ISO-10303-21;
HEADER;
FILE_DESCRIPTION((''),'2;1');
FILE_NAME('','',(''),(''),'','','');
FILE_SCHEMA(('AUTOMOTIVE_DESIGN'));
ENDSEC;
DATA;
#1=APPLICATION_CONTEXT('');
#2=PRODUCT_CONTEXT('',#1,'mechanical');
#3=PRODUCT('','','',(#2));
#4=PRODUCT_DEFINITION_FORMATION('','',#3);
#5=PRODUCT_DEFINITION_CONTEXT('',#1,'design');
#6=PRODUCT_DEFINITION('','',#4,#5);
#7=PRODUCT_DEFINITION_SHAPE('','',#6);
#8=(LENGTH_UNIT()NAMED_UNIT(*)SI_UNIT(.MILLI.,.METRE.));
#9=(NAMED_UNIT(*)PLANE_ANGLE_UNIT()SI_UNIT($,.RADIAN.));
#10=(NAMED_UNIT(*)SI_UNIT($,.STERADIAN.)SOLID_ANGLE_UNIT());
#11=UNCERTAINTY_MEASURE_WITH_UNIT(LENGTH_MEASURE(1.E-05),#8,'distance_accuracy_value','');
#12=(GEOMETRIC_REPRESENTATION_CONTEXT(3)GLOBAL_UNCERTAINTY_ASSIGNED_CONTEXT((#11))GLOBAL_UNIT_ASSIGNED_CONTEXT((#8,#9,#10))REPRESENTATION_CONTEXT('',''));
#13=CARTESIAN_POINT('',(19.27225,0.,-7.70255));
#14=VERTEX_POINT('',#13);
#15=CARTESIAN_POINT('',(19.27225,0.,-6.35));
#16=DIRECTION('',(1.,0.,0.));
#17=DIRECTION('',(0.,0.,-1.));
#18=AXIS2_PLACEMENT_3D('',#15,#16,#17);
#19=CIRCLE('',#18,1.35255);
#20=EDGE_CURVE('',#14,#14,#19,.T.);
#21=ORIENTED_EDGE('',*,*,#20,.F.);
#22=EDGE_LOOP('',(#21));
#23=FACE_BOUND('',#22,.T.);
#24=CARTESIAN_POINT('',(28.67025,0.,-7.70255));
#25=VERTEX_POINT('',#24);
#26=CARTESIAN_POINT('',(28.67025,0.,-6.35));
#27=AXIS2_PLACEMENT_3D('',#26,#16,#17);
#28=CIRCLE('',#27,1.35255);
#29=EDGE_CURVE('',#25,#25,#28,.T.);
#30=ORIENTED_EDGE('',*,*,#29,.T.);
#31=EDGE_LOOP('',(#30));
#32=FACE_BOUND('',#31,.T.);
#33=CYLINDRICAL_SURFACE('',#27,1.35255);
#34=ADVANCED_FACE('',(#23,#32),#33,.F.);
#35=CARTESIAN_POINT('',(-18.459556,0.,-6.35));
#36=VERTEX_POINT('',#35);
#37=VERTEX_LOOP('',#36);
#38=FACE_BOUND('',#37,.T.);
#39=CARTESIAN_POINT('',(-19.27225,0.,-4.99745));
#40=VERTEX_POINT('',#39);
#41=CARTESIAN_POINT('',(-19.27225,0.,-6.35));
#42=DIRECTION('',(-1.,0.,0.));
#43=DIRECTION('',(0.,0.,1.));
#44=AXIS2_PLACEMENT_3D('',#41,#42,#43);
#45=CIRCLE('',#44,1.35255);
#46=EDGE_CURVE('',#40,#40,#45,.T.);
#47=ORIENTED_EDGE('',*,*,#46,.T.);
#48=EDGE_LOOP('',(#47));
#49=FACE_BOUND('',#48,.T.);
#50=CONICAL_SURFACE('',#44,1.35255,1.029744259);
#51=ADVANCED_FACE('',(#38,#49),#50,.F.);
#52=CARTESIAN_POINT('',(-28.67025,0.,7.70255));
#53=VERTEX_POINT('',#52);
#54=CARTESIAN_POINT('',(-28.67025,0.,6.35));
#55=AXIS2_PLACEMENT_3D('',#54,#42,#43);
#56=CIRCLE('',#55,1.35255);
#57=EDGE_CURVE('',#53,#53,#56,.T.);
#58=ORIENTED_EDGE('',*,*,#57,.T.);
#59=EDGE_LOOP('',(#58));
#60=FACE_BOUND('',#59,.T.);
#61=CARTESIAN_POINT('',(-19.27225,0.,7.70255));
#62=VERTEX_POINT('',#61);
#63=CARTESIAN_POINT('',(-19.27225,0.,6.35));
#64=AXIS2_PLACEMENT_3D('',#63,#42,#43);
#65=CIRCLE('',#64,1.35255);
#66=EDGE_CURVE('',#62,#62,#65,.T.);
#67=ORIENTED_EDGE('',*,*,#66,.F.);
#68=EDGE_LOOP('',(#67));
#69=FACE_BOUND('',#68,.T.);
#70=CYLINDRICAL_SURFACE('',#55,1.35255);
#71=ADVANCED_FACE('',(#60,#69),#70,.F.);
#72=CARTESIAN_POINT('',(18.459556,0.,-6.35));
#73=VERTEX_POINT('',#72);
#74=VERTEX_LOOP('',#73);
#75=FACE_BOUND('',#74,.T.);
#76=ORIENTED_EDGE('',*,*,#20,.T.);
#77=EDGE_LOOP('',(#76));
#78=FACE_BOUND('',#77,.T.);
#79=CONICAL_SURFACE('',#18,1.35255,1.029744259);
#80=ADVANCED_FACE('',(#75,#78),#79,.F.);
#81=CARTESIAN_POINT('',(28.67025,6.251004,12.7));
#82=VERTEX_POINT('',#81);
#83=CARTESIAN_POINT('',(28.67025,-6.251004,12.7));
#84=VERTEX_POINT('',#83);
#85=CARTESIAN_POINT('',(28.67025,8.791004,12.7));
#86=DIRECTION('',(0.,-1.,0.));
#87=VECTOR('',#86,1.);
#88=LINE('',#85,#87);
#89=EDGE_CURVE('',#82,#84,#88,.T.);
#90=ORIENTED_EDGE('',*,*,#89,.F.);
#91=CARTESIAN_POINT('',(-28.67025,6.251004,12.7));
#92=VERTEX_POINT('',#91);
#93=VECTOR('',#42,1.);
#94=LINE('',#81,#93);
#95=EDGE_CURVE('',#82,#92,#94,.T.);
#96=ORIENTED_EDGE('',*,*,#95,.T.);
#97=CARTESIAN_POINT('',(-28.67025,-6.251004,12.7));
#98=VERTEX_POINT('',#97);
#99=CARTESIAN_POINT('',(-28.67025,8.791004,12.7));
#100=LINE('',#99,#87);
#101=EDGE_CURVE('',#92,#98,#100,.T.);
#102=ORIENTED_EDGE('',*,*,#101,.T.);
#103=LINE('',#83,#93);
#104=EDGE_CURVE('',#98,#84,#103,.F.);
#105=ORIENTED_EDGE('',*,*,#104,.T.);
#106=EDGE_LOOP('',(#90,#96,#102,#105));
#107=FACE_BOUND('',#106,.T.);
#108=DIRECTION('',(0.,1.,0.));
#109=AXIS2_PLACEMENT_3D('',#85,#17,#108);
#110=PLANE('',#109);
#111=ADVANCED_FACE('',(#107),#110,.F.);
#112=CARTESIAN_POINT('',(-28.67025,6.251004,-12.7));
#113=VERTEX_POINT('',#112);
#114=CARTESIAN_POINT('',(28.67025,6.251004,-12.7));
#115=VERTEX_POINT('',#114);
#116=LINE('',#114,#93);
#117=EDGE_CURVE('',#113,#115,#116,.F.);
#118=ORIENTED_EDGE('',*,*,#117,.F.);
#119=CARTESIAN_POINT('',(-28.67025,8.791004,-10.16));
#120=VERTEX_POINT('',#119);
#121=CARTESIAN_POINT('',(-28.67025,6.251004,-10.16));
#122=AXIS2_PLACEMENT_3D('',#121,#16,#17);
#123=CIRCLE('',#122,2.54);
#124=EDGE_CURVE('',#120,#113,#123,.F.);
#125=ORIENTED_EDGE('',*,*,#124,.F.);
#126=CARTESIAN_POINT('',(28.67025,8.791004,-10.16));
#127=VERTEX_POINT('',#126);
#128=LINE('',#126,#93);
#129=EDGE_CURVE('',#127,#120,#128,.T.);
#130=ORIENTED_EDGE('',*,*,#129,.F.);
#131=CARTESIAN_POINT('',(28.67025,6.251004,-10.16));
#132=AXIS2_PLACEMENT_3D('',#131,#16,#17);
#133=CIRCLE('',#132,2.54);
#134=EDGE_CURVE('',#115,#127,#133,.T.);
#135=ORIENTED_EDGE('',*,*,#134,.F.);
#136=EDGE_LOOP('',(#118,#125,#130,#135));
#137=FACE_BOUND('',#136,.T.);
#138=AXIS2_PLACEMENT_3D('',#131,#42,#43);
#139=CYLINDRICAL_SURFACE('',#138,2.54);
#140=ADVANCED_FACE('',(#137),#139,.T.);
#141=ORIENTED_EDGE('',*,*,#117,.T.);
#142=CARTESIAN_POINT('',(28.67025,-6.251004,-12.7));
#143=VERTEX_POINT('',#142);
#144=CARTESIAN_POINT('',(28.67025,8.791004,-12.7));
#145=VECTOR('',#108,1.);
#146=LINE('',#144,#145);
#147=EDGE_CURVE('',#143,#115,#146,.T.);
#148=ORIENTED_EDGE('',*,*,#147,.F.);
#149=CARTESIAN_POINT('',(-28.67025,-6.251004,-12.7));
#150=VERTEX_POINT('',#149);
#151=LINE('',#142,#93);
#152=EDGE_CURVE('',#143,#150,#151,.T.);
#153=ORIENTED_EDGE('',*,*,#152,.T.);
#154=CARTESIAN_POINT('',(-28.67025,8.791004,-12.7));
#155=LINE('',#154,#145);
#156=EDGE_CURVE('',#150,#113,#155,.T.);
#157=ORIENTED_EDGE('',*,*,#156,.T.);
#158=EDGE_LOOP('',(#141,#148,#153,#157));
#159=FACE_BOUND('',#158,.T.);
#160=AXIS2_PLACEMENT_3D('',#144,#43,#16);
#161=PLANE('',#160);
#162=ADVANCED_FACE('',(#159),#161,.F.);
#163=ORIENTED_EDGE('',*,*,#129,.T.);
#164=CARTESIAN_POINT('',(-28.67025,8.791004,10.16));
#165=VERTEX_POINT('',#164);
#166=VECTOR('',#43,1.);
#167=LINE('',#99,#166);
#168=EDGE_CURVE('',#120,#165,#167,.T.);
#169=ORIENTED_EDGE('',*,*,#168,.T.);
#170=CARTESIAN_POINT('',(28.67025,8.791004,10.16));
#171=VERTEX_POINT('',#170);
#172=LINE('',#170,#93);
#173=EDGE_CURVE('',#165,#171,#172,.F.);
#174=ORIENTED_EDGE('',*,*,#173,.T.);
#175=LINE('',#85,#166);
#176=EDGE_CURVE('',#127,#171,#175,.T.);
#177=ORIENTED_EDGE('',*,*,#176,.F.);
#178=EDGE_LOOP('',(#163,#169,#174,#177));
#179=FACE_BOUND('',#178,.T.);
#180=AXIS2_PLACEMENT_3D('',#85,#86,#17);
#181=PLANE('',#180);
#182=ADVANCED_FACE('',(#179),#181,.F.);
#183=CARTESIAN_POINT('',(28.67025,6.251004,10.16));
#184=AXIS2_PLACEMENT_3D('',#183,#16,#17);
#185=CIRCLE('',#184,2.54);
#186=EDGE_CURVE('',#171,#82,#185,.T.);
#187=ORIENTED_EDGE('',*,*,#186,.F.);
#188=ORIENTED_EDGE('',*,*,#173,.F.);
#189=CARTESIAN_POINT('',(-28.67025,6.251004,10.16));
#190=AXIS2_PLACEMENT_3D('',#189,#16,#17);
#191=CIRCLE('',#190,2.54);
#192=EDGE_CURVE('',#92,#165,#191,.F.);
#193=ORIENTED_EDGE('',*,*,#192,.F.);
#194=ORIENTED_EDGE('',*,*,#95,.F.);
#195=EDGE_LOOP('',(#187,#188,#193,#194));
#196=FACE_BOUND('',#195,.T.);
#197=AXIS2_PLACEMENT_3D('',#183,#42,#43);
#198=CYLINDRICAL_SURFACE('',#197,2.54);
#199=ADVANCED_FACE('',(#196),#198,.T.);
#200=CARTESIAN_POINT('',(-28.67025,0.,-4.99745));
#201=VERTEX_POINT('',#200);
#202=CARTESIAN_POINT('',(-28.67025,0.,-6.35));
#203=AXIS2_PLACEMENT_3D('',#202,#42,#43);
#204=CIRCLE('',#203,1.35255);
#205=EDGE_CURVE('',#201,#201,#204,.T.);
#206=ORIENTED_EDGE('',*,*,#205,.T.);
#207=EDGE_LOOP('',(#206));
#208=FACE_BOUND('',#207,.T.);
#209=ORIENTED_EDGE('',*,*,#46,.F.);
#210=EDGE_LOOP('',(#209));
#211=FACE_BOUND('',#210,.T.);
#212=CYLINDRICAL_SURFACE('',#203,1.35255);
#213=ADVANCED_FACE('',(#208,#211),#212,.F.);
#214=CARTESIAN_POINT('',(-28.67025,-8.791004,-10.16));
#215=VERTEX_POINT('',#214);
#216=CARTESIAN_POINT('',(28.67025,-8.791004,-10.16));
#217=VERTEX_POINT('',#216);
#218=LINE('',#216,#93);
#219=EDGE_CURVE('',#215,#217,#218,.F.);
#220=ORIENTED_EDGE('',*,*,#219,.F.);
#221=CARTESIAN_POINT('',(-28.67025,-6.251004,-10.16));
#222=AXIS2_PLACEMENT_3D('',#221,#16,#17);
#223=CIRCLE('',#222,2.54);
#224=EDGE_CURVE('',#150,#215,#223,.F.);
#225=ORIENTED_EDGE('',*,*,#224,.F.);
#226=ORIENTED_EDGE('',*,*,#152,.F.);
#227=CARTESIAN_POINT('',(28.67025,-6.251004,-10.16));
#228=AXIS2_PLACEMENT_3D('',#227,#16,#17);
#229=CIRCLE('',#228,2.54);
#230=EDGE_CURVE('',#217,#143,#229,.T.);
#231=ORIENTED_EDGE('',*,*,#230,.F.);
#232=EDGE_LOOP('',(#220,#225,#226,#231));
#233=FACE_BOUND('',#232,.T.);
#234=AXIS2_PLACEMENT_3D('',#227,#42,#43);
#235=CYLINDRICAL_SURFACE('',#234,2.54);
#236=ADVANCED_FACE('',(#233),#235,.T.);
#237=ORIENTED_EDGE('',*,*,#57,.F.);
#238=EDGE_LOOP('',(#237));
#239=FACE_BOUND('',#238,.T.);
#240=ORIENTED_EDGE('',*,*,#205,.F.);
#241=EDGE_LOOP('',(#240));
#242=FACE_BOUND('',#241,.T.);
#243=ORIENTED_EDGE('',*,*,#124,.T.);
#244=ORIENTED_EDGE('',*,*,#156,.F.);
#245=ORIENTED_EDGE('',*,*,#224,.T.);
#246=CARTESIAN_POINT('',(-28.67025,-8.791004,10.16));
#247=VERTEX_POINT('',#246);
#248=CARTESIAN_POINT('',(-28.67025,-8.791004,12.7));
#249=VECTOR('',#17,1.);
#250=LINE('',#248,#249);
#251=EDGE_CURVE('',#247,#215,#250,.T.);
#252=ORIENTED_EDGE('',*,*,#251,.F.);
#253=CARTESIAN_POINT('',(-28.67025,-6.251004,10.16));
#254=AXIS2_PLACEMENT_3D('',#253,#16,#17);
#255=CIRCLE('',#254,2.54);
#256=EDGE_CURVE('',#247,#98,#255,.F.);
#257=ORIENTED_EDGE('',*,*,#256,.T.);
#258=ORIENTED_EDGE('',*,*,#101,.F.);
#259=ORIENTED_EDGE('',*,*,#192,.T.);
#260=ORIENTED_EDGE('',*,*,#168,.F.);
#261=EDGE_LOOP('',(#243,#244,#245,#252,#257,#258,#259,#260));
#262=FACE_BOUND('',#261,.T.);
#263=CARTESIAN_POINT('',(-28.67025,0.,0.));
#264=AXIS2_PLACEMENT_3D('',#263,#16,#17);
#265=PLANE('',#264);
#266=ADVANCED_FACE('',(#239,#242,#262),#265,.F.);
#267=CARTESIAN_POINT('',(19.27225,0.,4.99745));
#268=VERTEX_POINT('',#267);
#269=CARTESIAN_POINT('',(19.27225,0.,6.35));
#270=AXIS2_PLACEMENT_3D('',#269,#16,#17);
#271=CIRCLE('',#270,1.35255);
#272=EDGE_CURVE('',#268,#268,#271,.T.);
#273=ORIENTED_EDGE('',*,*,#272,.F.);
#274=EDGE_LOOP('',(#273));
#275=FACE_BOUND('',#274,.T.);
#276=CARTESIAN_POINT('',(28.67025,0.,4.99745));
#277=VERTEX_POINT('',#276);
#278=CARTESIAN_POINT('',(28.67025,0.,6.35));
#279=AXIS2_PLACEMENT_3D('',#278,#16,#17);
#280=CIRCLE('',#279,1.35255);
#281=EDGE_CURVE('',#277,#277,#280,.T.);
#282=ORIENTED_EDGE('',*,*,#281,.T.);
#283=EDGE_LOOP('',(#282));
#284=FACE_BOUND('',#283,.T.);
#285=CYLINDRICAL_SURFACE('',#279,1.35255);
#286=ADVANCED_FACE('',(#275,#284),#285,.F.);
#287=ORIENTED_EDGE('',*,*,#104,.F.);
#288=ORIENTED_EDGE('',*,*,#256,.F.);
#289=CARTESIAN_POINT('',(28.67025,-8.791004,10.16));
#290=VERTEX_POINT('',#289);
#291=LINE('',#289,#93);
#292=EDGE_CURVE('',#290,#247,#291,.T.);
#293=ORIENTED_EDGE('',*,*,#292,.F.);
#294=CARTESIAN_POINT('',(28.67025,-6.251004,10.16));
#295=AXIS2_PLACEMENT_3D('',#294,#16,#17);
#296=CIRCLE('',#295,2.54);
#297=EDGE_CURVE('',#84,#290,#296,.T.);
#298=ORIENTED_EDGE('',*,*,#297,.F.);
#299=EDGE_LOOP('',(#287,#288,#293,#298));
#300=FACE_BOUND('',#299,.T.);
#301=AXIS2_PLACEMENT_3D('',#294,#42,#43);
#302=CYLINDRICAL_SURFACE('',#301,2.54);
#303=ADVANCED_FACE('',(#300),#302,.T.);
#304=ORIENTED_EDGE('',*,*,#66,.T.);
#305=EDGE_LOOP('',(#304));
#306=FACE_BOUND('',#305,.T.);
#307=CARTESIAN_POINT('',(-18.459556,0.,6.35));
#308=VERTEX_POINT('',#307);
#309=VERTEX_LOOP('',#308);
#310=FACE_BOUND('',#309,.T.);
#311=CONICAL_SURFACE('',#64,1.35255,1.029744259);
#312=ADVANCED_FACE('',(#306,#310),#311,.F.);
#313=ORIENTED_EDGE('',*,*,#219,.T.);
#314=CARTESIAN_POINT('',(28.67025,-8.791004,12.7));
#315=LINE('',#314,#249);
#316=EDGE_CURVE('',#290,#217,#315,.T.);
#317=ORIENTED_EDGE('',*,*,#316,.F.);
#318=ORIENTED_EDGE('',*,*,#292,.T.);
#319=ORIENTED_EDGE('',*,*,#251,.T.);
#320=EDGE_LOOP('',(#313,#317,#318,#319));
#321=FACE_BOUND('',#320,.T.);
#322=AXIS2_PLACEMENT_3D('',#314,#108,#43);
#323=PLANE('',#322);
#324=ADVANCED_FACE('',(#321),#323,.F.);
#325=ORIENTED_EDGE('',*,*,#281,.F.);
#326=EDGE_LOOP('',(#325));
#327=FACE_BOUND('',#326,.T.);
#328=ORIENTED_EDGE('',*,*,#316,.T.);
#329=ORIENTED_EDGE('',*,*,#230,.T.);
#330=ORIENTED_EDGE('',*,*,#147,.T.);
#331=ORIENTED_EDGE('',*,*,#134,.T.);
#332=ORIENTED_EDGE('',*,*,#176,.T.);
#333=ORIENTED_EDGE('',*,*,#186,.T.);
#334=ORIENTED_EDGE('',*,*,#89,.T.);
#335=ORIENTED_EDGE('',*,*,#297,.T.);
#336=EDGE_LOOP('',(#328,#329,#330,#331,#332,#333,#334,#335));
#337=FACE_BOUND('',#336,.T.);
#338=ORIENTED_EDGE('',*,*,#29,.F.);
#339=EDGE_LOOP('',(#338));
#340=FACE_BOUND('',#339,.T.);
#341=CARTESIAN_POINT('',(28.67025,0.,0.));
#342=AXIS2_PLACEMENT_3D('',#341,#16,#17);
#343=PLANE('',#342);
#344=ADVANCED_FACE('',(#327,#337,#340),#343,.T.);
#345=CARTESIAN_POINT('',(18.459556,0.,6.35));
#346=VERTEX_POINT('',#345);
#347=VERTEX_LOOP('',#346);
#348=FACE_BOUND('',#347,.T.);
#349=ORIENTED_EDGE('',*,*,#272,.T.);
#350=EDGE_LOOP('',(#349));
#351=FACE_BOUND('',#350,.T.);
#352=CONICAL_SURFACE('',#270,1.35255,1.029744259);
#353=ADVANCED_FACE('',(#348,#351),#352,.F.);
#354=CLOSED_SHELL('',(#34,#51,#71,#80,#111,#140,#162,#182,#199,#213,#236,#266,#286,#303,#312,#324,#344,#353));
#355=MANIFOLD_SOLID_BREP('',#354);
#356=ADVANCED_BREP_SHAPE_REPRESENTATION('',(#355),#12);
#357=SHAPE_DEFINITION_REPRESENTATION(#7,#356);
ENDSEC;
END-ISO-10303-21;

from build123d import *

# Parameters (mm, degrees)
SKETCH1_W                      = 25.4
SKETCH1_H                      = 17.582007
BOSS_EXTRUDE1_DEPTH            = 28.67025
F_6_32_TAPPED_HOLE1_AT_2_COUNT = 2
F_6_32_TAPPED_HOLE1_AT_2_PITCH = 12.7
FILLET1_R                      = 2.54


with BuildPart() as part:
    # Sketch1 → Boss-Extrude1 (new, symmetric)
    with BuildSketch(Plane(origin=(0, 0, 0), x_dir=(0, 0, -1), z_dir=(1, 0, 0))):
        Rectangle(SKETCH1_W, SKETCH1_H)
    extrude(amount=BOSS_EXTRUDE1_DEPTH, both=True)

    # Sketch3 → #6-32 Tapped Hole1 (revolve, cut)
    with BuildSketch(Plane(origin=(28.67025, 0, 6.35), x_dir=(0, 0, -1), z_dir=(0, 1, 0))):
        Polygon((0, 0), (0, 10.21069403), (1.35255, 9.398), (1.35255, 0), align=None)
    f_6_32_tapped_hole1 = revolve(axis=Axis((35.02025, 0, 6.35), (-1, 0, 0)), mode=Mode.SUBTRACT)

    # #6-32 Tapped Hole1 at 2: #6-32 Tapped Hole1 ×2
    with Locations(*[(0, 0, -i * F_6_32_TAPPED_HOLE1_AT_2_PITCH) for i in range(1, F_6_32_TAPPED_HOLE1_AT_2_COUNT)]):
        add(f_6_32_tapped_hole1, mode=Mode.SUBTRACT)

    # Mirror1: #6-32 Tapped Hole1 across plane
    add(f_6_32_tapped_hole1.mirror(Plane(origin=(0, 0, 0), x_dir=(0, 0, 1), z_dir=(1, 0, 0))), mode=Mode.SUBTRACT)

    # Mirror1 copy 1 sketch → Mirror1 copy 1 (revolve, cut)
    with BuildSketch(Plane(origin=(-28.67025, 0, -6.35), x_dir=(0, 0, -1), z_dir=(0, 1, 0))):
        Polygon((0, 0), (0, -10.21069403), (1.35255, -9.398), (1.35255, 0), align=None)
    revolve(axis=Axis((-35.02025, 0, -6.35), (-1, 0, 0)), mode=Mode.SUBTRACT)

    # Fillet1
    fillet1_edges = [part.edges().sort_by_distance(p)[0] for p in [
        (0, -8.7910035, -12.7),
        (0, -8.7910035, 12.7),
        (0, 8.7910035, 12.7),
        (0, 8.7910035, -12.7),
    ]]
    fillet(fillet1_edges, radius=FILLET1_R)


solid = part.part
